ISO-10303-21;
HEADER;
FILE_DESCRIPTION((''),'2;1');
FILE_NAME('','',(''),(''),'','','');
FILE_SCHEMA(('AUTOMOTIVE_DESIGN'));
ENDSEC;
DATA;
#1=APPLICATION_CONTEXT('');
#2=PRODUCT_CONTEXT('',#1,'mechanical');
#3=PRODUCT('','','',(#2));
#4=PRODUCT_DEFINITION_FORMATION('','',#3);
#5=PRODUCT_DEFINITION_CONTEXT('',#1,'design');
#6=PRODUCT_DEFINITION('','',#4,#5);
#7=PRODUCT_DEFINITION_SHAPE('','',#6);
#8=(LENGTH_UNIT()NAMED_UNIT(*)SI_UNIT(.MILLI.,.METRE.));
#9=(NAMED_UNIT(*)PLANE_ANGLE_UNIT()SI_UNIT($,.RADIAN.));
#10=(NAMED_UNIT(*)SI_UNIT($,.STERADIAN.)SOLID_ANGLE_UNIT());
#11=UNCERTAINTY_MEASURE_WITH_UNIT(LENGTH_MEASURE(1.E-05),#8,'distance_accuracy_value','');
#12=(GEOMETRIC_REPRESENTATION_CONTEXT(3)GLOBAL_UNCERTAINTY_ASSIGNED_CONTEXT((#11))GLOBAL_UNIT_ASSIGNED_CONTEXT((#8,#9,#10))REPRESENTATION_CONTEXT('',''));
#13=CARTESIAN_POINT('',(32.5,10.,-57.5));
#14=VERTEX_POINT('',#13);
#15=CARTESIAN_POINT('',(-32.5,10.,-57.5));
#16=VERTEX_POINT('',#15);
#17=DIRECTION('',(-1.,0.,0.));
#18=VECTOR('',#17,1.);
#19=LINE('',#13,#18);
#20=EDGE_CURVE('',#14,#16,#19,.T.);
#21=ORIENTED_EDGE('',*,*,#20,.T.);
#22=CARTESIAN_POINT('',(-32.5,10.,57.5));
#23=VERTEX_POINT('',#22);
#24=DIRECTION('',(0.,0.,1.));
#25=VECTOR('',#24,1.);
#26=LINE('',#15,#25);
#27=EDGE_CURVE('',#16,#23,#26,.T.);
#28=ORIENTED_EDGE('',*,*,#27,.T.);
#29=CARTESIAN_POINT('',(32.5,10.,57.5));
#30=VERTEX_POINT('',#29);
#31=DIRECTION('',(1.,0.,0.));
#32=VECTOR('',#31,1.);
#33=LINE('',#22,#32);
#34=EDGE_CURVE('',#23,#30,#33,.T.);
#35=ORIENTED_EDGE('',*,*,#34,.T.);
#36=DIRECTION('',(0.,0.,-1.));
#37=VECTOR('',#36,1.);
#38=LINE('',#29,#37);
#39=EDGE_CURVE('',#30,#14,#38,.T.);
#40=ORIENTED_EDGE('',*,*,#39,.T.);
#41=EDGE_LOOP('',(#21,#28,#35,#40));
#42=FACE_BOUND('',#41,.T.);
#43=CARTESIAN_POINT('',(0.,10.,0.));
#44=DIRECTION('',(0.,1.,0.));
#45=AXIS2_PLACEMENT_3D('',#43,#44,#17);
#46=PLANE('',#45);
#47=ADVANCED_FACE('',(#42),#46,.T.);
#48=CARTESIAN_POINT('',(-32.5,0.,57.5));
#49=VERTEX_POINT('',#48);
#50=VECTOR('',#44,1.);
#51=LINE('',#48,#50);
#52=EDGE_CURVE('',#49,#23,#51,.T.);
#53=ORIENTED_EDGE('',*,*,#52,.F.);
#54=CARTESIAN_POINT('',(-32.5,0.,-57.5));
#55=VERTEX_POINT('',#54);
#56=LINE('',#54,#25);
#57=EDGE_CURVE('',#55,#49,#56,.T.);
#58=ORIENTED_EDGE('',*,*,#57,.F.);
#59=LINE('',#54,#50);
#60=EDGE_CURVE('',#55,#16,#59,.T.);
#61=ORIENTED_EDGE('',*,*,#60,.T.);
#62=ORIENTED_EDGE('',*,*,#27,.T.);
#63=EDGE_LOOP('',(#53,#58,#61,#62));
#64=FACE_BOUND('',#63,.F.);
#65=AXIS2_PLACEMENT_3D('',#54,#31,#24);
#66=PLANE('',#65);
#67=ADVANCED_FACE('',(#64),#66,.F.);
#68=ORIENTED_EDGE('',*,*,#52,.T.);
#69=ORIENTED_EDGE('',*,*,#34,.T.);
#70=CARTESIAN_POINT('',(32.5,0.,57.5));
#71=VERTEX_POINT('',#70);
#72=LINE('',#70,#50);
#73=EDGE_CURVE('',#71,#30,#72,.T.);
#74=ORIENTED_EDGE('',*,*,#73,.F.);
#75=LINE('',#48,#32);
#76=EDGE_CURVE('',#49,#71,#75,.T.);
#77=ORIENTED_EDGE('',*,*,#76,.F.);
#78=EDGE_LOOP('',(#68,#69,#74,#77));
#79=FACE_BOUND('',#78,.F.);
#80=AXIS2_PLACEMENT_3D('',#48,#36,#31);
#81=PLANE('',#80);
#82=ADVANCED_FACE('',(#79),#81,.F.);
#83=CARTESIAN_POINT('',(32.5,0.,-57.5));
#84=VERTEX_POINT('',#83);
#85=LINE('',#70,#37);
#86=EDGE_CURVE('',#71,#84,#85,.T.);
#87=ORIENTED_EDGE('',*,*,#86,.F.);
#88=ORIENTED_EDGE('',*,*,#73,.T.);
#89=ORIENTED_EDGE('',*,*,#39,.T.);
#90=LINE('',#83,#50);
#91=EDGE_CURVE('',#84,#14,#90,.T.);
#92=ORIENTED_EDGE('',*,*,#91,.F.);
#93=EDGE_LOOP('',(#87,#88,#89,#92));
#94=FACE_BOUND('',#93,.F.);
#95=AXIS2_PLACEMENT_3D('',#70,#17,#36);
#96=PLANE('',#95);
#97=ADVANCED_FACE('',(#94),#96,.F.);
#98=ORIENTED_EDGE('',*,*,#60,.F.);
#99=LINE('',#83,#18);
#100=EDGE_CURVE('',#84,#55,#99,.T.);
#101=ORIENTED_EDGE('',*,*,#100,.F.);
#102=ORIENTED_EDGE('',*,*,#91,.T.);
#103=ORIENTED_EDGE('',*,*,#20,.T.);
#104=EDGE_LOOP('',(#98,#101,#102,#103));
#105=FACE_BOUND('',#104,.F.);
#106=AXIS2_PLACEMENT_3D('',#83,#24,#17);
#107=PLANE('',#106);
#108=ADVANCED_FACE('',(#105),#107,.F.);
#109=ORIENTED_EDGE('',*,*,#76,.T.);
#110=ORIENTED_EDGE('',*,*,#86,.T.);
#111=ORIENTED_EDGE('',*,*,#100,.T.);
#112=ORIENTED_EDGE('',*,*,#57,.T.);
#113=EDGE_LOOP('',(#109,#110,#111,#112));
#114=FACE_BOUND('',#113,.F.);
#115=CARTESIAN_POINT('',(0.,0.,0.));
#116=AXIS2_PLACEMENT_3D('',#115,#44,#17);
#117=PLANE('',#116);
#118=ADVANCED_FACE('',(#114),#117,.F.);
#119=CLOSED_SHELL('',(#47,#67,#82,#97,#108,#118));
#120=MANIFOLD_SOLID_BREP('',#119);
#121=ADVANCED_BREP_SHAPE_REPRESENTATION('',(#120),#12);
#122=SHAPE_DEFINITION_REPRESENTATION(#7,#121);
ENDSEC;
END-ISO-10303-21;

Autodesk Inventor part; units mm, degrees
ref_plane "YZ Plane" through (0, 0, 0) normal (1, 0, 0) x (0, 1, 0)
ref_plane "XZ Plane" through (0, 0, 0) normal (0, 1, 0) x (-1, 0, 0)
ref_plane "XY Plane" through (0, 0, 0) normal (0, 0, 1) x (1, 0, 0)
sketch "Sketch1" plane through (0, 0, 0) normal (0, 1, 0) x (-1, 0, 0)
  line L0 (32.5, 57.5) -> (-32.5, 57.5)
  line L1 (-32.5, 57.5) -> (-32.5, -57.5)
  line L2 (-32.5, -57.5) -> (32.5, -57.5)
  line L3 (32.5, -57.5) -> (32.5, 57.5)
  line L4 (32.5, 57.5) -> (-32.5, -57.5) construction
  line L5 (-32.5, 57.5) -> (32.5, -57.5) construction
  point P0 (0, 0)
  dimension "d0" = 65
  dimension "d1" = 115
extrude "Extrusion1" add sketch "Sketch1" along normal blind 10
sketch "Sketch2" plane through (0, 10, 0) normal (0, 1, 0) x (1, 0, 0)
  line L0 (25, -50) -> (-25, 50) construction
  line L1 (-25, -50) -> (25, 50) construction
  circle A0 centre (25, -50) radius 3
  circle A1 centre (-25, -50) radius 3
  circle A2 centre (25, 50) radius 3
  circle A3 centre (-25, 50) radius 3
  line L2 (-20, 40) -> (20, 40)
  line L3 (20, 40) -> (20, -40)
  line L4 (20, -40) -> (-20, -40)
  line L5 (-20, -40) -> (-20, 40)
  line L6 (-20, 40) -> (20, -40) construction
  line L7 (20, 40) -> (-20, -40) construction
  point P0 (0, 0)
  dimension "d4" = 50
  dimension "d5" = 100
  dimension "d6" = 6
  dimension "d7" = 6
  dimension "d8" = 6
  dimension "d9" = 6
  dimension "d10" = 40
  dimension "d11" = 80
properties part number "Battery Holder"
